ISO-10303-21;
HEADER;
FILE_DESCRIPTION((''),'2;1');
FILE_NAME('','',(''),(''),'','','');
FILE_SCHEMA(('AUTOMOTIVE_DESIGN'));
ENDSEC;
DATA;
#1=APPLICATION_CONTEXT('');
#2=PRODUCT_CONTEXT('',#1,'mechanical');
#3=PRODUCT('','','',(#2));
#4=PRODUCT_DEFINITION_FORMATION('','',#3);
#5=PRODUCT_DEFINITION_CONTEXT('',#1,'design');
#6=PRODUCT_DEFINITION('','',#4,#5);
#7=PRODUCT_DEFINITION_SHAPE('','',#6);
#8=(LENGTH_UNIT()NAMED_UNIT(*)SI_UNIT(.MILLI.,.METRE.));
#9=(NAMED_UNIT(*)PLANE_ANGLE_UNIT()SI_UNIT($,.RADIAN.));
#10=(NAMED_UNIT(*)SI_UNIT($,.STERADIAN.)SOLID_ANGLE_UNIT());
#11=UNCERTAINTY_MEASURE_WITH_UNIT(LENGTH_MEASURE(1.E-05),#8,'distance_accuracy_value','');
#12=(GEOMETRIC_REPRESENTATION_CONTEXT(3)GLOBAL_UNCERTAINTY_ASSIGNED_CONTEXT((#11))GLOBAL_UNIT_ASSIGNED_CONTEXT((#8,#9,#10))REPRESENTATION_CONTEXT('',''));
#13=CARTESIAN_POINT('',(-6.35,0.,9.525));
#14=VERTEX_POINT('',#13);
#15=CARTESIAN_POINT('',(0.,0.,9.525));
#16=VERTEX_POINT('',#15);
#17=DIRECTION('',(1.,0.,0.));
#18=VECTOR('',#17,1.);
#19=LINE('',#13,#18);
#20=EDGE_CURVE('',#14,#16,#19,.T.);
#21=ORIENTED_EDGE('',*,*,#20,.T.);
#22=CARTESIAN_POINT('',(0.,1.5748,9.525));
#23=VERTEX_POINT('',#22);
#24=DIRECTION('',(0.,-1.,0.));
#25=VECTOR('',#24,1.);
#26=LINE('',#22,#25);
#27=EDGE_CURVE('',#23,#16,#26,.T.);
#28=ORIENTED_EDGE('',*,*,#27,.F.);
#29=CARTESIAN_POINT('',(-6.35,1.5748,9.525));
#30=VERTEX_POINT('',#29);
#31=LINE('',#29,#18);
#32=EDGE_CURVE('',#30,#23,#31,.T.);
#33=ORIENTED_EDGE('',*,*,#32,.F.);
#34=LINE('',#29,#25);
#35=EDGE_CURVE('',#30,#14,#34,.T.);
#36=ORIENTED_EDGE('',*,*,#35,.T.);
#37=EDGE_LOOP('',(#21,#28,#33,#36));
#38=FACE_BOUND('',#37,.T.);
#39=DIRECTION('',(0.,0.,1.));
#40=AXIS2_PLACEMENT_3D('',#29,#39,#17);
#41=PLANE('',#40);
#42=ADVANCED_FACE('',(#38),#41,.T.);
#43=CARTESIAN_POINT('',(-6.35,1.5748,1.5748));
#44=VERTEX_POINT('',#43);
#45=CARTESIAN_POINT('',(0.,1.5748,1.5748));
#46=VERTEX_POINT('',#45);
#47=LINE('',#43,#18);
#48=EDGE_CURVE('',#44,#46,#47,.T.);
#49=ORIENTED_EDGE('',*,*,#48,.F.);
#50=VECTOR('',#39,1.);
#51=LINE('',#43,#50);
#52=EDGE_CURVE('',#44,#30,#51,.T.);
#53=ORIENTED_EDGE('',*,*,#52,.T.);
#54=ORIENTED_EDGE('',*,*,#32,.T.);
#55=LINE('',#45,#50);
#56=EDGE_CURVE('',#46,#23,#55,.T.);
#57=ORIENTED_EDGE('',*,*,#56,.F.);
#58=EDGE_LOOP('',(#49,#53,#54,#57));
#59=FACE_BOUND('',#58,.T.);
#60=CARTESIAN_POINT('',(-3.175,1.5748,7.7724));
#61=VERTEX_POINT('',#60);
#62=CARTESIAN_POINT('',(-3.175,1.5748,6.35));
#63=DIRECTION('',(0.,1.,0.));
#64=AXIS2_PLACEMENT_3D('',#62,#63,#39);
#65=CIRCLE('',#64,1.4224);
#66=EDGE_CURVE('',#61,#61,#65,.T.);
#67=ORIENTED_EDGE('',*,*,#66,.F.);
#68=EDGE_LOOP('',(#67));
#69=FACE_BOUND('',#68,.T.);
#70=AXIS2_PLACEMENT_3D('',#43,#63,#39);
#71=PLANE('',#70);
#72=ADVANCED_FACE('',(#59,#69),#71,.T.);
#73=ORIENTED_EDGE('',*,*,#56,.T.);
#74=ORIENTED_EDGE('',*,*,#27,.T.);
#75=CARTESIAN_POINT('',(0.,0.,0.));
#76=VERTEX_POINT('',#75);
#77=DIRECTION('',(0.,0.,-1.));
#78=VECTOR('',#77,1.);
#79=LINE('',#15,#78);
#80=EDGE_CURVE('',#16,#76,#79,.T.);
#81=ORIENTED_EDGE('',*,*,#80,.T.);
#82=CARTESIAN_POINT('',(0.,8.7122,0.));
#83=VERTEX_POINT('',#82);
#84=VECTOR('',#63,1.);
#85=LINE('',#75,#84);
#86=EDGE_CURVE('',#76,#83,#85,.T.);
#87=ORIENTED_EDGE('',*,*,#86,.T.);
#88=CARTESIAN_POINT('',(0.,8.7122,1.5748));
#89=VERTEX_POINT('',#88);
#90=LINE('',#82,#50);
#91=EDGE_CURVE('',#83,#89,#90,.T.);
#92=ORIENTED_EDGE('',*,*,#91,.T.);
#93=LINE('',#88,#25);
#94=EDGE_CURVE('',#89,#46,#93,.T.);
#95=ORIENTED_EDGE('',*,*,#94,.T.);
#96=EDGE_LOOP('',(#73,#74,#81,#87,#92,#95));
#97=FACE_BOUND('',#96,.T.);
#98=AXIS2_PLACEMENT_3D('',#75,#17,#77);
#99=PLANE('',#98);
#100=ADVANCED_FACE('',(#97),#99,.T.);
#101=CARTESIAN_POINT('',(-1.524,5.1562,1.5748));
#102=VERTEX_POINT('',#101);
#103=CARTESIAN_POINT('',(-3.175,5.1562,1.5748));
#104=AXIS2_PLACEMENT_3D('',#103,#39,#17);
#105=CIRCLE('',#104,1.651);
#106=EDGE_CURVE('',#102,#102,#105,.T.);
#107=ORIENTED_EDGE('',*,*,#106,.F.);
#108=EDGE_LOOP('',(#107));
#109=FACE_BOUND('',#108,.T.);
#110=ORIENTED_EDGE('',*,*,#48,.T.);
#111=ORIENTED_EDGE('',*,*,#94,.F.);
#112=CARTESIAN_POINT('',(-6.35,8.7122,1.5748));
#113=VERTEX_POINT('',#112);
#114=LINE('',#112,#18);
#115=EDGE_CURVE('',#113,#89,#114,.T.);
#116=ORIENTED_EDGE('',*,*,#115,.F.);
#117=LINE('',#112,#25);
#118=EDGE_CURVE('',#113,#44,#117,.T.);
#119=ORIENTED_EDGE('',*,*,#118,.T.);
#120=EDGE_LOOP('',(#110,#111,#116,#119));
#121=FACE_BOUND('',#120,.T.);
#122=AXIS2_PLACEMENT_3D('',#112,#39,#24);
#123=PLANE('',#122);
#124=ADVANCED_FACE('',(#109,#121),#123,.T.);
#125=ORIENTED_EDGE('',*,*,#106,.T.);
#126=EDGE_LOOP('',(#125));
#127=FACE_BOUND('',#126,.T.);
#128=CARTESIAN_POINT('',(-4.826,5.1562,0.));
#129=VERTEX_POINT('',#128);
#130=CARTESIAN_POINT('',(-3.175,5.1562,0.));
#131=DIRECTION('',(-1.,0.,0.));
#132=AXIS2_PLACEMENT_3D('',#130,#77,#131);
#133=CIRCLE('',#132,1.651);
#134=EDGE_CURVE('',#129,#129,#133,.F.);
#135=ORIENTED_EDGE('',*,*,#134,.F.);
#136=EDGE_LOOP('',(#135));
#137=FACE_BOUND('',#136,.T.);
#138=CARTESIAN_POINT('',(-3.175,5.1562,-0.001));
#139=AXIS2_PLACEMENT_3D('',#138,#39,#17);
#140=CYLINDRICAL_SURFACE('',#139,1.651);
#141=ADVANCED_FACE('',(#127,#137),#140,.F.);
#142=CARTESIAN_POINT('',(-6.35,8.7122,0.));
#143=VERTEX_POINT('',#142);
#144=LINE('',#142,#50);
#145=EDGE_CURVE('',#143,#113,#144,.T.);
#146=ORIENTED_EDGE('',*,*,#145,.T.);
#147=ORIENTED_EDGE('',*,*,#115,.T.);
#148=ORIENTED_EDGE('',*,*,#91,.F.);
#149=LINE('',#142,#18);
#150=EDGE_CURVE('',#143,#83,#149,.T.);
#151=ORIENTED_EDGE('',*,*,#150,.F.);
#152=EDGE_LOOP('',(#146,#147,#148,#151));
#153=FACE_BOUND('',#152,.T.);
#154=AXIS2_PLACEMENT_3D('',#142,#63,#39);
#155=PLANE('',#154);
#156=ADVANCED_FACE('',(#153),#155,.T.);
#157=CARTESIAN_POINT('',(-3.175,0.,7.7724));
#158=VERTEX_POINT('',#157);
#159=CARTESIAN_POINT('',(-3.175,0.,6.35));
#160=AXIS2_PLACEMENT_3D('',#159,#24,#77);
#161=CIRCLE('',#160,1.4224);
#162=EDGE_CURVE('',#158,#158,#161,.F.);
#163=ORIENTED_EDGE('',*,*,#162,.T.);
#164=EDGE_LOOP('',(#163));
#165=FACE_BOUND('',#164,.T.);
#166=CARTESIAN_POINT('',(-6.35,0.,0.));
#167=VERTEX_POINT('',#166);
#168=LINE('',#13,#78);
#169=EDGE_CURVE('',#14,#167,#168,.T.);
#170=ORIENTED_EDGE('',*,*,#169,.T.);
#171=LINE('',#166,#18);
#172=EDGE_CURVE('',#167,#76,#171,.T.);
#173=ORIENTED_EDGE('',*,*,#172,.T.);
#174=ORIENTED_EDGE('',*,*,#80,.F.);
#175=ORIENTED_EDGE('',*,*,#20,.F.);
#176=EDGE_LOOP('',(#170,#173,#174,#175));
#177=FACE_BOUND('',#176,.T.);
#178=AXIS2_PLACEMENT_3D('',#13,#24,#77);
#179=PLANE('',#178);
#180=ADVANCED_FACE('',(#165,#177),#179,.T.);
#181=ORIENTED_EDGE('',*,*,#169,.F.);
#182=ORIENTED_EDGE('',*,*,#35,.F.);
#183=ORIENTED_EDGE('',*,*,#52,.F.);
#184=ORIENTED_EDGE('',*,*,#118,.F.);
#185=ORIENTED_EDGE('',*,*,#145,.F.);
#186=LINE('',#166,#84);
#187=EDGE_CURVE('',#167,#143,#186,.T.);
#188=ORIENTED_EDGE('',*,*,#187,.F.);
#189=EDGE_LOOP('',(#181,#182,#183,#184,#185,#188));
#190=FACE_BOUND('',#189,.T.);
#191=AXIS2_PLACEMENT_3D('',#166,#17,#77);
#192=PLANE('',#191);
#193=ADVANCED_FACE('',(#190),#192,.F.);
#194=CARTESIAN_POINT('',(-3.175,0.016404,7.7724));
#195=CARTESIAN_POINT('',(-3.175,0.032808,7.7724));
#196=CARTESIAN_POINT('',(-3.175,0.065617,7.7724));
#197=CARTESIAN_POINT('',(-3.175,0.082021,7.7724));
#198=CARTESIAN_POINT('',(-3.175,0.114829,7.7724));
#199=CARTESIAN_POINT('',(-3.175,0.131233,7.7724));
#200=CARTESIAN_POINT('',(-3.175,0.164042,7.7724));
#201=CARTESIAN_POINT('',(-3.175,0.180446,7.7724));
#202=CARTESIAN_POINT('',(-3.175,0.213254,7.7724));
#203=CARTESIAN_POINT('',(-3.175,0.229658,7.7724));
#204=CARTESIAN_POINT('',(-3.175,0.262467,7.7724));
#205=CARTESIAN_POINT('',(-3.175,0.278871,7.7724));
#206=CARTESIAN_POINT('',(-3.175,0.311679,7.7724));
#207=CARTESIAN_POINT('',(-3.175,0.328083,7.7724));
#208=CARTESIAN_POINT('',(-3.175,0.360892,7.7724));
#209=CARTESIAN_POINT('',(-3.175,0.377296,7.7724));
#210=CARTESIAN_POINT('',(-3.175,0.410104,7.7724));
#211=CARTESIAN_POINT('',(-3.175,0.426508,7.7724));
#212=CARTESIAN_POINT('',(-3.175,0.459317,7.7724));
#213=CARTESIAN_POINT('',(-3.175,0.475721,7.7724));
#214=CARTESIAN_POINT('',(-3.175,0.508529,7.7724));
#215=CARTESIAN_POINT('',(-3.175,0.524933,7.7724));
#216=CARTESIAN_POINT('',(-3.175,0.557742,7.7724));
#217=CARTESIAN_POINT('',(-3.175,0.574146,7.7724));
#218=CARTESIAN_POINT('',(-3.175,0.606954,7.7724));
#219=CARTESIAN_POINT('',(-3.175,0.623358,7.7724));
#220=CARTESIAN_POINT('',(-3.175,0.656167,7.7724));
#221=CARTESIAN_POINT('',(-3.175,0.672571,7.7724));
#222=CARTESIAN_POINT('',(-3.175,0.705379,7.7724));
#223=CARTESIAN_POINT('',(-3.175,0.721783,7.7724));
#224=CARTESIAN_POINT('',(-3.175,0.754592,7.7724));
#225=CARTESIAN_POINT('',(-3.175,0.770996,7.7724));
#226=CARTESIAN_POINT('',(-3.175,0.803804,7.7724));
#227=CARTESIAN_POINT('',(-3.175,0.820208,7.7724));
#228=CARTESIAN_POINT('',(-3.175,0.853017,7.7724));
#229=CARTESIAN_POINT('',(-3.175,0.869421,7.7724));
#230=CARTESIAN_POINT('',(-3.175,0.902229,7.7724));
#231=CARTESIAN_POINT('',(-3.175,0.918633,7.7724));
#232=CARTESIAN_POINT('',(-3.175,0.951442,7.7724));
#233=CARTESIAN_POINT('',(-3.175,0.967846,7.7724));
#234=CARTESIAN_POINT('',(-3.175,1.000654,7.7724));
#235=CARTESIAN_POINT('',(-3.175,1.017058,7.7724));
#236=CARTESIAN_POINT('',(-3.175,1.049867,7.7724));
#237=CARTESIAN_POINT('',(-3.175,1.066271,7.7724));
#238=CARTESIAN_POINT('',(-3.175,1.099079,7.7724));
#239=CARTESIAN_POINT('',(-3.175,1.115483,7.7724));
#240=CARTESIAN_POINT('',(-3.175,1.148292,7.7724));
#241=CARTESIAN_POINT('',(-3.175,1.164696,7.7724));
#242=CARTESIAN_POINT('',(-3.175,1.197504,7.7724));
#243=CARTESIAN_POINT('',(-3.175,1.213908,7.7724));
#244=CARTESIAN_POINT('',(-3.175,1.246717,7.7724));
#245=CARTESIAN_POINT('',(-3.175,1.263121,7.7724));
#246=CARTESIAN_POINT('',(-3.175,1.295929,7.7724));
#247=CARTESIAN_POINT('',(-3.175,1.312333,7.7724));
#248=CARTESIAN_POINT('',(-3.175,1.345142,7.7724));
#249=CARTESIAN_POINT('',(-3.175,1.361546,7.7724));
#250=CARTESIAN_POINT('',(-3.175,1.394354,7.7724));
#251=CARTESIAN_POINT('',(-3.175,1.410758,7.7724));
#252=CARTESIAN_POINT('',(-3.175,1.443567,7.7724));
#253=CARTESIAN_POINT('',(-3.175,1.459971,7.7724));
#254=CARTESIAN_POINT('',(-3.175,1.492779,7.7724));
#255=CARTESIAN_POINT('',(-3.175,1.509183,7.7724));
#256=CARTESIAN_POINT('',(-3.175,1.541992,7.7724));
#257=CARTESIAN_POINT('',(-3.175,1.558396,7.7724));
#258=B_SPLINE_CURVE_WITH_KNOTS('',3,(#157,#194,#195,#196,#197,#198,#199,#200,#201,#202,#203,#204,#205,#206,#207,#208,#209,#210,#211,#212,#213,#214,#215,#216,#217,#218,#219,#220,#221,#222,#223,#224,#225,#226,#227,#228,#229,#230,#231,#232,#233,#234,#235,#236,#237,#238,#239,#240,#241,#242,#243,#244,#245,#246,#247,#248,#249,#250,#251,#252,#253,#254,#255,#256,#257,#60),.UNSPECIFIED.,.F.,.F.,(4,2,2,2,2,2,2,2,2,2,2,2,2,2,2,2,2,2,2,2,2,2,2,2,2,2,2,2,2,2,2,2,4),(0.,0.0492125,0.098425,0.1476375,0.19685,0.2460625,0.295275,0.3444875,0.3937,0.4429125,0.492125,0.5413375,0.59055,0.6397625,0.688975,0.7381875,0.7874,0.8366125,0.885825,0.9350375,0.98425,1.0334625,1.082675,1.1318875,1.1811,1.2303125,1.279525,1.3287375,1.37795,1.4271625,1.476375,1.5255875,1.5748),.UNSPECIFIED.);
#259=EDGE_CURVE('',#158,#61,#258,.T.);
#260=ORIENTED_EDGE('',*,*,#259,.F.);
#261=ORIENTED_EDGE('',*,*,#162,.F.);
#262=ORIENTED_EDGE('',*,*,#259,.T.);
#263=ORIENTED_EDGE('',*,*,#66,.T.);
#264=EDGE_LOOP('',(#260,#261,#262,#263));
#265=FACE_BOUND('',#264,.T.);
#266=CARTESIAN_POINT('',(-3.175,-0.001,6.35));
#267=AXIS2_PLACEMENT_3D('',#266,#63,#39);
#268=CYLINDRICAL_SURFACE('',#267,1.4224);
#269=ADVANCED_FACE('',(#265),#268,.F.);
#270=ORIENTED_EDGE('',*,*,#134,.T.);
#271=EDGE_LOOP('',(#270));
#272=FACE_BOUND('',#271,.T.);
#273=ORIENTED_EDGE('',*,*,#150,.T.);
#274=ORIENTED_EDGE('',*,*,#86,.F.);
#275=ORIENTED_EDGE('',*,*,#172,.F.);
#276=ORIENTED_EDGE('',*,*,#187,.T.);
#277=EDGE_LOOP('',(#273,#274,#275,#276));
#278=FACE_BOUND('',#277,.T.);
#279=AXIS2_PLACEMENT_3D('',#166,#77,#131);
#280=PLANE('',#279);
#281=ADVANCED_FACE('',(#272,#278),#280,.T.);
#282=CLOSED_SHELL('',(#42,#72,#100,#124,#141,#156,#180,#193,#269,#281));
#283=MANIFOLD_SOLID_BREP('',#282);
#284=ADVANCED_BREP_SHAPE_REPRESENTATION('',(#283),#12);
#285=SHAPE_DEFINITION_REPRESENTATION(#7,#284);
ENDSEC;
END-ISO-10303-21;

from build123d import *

# Parameters (mm, degrees)
BOSS_EXTRUDE1_DEPTH = 6.35
CUT_EXTRUDE1_REACH  = 15.395
SKETCH2_R           = 1.651
CUT_EXTRUDE2_REACH  = 15.49
SKETCH3_R           = 1.4224


with BuildPart() as part:
    # Sketch1 → Boss-Extrude1 (new body)
    with BuildSketch(Plane(origin=(0, 0, 0), x_dir=(0, 0, -1), z_dir=(1, 0, 0))):
        Polygon((0, 0), (0, 8.7122), (-1.5748, 8.7122), (-1.5748, 1.5748), (-9.525, 1.5748), (-9.525, 0), align=None)
    extrude(amount=-BOSS_EXTRUDE1_DEPTH)

    # Sketch2 → Cut-Extrude1 (cut, up to next)
    with BuildSketch(Plane.XY.offset(1.5748), mode=Mode.PRIVATE) as cut_extrude1_sk1:
        with Locations((-3.175, 5.1562)):
            Circle(SKETCH2_R)
    cut_extrude1_tool1 = extrude(cut_extrude1_sk1.sketch, amount=-CUT_EXTRUDE1_REACH, mode=Mode.PRIVATE) & part.part
    add(cut_extrude1_tool1.solids().sort_by_distance((-3.175, 5.1562, 1.5748))[0], mode=Mode.SUBTRACT)

    # Sketch3 → Cut-Extrude2 (cut, up to next)
    with BuildSketch(Plane(origin=(0, 1.5748, 0), x_dir=(1, 0, 0), z_dir=(0, 1, 0)), mode=Mode.PRIVATE) as cut_extrude2_sk1:
        with Locations(Location((-3.175, -6.35, 0), (0, 0, 270))):
            Circle(SKETCH3_R)
    cut_extrude2_tool1 = extrude(cut_extrude2_sk1.sketch, amount=-CUT_EXTRUDE2_REACH, mode=Mode.PRIVATE) & part.part
    add(cut_extrude2_tool1.solids().sort_by_distance((-3.175, 1.5748, 6.35))[0], mode=Mode.SUBTRACT)


solid = part.part
